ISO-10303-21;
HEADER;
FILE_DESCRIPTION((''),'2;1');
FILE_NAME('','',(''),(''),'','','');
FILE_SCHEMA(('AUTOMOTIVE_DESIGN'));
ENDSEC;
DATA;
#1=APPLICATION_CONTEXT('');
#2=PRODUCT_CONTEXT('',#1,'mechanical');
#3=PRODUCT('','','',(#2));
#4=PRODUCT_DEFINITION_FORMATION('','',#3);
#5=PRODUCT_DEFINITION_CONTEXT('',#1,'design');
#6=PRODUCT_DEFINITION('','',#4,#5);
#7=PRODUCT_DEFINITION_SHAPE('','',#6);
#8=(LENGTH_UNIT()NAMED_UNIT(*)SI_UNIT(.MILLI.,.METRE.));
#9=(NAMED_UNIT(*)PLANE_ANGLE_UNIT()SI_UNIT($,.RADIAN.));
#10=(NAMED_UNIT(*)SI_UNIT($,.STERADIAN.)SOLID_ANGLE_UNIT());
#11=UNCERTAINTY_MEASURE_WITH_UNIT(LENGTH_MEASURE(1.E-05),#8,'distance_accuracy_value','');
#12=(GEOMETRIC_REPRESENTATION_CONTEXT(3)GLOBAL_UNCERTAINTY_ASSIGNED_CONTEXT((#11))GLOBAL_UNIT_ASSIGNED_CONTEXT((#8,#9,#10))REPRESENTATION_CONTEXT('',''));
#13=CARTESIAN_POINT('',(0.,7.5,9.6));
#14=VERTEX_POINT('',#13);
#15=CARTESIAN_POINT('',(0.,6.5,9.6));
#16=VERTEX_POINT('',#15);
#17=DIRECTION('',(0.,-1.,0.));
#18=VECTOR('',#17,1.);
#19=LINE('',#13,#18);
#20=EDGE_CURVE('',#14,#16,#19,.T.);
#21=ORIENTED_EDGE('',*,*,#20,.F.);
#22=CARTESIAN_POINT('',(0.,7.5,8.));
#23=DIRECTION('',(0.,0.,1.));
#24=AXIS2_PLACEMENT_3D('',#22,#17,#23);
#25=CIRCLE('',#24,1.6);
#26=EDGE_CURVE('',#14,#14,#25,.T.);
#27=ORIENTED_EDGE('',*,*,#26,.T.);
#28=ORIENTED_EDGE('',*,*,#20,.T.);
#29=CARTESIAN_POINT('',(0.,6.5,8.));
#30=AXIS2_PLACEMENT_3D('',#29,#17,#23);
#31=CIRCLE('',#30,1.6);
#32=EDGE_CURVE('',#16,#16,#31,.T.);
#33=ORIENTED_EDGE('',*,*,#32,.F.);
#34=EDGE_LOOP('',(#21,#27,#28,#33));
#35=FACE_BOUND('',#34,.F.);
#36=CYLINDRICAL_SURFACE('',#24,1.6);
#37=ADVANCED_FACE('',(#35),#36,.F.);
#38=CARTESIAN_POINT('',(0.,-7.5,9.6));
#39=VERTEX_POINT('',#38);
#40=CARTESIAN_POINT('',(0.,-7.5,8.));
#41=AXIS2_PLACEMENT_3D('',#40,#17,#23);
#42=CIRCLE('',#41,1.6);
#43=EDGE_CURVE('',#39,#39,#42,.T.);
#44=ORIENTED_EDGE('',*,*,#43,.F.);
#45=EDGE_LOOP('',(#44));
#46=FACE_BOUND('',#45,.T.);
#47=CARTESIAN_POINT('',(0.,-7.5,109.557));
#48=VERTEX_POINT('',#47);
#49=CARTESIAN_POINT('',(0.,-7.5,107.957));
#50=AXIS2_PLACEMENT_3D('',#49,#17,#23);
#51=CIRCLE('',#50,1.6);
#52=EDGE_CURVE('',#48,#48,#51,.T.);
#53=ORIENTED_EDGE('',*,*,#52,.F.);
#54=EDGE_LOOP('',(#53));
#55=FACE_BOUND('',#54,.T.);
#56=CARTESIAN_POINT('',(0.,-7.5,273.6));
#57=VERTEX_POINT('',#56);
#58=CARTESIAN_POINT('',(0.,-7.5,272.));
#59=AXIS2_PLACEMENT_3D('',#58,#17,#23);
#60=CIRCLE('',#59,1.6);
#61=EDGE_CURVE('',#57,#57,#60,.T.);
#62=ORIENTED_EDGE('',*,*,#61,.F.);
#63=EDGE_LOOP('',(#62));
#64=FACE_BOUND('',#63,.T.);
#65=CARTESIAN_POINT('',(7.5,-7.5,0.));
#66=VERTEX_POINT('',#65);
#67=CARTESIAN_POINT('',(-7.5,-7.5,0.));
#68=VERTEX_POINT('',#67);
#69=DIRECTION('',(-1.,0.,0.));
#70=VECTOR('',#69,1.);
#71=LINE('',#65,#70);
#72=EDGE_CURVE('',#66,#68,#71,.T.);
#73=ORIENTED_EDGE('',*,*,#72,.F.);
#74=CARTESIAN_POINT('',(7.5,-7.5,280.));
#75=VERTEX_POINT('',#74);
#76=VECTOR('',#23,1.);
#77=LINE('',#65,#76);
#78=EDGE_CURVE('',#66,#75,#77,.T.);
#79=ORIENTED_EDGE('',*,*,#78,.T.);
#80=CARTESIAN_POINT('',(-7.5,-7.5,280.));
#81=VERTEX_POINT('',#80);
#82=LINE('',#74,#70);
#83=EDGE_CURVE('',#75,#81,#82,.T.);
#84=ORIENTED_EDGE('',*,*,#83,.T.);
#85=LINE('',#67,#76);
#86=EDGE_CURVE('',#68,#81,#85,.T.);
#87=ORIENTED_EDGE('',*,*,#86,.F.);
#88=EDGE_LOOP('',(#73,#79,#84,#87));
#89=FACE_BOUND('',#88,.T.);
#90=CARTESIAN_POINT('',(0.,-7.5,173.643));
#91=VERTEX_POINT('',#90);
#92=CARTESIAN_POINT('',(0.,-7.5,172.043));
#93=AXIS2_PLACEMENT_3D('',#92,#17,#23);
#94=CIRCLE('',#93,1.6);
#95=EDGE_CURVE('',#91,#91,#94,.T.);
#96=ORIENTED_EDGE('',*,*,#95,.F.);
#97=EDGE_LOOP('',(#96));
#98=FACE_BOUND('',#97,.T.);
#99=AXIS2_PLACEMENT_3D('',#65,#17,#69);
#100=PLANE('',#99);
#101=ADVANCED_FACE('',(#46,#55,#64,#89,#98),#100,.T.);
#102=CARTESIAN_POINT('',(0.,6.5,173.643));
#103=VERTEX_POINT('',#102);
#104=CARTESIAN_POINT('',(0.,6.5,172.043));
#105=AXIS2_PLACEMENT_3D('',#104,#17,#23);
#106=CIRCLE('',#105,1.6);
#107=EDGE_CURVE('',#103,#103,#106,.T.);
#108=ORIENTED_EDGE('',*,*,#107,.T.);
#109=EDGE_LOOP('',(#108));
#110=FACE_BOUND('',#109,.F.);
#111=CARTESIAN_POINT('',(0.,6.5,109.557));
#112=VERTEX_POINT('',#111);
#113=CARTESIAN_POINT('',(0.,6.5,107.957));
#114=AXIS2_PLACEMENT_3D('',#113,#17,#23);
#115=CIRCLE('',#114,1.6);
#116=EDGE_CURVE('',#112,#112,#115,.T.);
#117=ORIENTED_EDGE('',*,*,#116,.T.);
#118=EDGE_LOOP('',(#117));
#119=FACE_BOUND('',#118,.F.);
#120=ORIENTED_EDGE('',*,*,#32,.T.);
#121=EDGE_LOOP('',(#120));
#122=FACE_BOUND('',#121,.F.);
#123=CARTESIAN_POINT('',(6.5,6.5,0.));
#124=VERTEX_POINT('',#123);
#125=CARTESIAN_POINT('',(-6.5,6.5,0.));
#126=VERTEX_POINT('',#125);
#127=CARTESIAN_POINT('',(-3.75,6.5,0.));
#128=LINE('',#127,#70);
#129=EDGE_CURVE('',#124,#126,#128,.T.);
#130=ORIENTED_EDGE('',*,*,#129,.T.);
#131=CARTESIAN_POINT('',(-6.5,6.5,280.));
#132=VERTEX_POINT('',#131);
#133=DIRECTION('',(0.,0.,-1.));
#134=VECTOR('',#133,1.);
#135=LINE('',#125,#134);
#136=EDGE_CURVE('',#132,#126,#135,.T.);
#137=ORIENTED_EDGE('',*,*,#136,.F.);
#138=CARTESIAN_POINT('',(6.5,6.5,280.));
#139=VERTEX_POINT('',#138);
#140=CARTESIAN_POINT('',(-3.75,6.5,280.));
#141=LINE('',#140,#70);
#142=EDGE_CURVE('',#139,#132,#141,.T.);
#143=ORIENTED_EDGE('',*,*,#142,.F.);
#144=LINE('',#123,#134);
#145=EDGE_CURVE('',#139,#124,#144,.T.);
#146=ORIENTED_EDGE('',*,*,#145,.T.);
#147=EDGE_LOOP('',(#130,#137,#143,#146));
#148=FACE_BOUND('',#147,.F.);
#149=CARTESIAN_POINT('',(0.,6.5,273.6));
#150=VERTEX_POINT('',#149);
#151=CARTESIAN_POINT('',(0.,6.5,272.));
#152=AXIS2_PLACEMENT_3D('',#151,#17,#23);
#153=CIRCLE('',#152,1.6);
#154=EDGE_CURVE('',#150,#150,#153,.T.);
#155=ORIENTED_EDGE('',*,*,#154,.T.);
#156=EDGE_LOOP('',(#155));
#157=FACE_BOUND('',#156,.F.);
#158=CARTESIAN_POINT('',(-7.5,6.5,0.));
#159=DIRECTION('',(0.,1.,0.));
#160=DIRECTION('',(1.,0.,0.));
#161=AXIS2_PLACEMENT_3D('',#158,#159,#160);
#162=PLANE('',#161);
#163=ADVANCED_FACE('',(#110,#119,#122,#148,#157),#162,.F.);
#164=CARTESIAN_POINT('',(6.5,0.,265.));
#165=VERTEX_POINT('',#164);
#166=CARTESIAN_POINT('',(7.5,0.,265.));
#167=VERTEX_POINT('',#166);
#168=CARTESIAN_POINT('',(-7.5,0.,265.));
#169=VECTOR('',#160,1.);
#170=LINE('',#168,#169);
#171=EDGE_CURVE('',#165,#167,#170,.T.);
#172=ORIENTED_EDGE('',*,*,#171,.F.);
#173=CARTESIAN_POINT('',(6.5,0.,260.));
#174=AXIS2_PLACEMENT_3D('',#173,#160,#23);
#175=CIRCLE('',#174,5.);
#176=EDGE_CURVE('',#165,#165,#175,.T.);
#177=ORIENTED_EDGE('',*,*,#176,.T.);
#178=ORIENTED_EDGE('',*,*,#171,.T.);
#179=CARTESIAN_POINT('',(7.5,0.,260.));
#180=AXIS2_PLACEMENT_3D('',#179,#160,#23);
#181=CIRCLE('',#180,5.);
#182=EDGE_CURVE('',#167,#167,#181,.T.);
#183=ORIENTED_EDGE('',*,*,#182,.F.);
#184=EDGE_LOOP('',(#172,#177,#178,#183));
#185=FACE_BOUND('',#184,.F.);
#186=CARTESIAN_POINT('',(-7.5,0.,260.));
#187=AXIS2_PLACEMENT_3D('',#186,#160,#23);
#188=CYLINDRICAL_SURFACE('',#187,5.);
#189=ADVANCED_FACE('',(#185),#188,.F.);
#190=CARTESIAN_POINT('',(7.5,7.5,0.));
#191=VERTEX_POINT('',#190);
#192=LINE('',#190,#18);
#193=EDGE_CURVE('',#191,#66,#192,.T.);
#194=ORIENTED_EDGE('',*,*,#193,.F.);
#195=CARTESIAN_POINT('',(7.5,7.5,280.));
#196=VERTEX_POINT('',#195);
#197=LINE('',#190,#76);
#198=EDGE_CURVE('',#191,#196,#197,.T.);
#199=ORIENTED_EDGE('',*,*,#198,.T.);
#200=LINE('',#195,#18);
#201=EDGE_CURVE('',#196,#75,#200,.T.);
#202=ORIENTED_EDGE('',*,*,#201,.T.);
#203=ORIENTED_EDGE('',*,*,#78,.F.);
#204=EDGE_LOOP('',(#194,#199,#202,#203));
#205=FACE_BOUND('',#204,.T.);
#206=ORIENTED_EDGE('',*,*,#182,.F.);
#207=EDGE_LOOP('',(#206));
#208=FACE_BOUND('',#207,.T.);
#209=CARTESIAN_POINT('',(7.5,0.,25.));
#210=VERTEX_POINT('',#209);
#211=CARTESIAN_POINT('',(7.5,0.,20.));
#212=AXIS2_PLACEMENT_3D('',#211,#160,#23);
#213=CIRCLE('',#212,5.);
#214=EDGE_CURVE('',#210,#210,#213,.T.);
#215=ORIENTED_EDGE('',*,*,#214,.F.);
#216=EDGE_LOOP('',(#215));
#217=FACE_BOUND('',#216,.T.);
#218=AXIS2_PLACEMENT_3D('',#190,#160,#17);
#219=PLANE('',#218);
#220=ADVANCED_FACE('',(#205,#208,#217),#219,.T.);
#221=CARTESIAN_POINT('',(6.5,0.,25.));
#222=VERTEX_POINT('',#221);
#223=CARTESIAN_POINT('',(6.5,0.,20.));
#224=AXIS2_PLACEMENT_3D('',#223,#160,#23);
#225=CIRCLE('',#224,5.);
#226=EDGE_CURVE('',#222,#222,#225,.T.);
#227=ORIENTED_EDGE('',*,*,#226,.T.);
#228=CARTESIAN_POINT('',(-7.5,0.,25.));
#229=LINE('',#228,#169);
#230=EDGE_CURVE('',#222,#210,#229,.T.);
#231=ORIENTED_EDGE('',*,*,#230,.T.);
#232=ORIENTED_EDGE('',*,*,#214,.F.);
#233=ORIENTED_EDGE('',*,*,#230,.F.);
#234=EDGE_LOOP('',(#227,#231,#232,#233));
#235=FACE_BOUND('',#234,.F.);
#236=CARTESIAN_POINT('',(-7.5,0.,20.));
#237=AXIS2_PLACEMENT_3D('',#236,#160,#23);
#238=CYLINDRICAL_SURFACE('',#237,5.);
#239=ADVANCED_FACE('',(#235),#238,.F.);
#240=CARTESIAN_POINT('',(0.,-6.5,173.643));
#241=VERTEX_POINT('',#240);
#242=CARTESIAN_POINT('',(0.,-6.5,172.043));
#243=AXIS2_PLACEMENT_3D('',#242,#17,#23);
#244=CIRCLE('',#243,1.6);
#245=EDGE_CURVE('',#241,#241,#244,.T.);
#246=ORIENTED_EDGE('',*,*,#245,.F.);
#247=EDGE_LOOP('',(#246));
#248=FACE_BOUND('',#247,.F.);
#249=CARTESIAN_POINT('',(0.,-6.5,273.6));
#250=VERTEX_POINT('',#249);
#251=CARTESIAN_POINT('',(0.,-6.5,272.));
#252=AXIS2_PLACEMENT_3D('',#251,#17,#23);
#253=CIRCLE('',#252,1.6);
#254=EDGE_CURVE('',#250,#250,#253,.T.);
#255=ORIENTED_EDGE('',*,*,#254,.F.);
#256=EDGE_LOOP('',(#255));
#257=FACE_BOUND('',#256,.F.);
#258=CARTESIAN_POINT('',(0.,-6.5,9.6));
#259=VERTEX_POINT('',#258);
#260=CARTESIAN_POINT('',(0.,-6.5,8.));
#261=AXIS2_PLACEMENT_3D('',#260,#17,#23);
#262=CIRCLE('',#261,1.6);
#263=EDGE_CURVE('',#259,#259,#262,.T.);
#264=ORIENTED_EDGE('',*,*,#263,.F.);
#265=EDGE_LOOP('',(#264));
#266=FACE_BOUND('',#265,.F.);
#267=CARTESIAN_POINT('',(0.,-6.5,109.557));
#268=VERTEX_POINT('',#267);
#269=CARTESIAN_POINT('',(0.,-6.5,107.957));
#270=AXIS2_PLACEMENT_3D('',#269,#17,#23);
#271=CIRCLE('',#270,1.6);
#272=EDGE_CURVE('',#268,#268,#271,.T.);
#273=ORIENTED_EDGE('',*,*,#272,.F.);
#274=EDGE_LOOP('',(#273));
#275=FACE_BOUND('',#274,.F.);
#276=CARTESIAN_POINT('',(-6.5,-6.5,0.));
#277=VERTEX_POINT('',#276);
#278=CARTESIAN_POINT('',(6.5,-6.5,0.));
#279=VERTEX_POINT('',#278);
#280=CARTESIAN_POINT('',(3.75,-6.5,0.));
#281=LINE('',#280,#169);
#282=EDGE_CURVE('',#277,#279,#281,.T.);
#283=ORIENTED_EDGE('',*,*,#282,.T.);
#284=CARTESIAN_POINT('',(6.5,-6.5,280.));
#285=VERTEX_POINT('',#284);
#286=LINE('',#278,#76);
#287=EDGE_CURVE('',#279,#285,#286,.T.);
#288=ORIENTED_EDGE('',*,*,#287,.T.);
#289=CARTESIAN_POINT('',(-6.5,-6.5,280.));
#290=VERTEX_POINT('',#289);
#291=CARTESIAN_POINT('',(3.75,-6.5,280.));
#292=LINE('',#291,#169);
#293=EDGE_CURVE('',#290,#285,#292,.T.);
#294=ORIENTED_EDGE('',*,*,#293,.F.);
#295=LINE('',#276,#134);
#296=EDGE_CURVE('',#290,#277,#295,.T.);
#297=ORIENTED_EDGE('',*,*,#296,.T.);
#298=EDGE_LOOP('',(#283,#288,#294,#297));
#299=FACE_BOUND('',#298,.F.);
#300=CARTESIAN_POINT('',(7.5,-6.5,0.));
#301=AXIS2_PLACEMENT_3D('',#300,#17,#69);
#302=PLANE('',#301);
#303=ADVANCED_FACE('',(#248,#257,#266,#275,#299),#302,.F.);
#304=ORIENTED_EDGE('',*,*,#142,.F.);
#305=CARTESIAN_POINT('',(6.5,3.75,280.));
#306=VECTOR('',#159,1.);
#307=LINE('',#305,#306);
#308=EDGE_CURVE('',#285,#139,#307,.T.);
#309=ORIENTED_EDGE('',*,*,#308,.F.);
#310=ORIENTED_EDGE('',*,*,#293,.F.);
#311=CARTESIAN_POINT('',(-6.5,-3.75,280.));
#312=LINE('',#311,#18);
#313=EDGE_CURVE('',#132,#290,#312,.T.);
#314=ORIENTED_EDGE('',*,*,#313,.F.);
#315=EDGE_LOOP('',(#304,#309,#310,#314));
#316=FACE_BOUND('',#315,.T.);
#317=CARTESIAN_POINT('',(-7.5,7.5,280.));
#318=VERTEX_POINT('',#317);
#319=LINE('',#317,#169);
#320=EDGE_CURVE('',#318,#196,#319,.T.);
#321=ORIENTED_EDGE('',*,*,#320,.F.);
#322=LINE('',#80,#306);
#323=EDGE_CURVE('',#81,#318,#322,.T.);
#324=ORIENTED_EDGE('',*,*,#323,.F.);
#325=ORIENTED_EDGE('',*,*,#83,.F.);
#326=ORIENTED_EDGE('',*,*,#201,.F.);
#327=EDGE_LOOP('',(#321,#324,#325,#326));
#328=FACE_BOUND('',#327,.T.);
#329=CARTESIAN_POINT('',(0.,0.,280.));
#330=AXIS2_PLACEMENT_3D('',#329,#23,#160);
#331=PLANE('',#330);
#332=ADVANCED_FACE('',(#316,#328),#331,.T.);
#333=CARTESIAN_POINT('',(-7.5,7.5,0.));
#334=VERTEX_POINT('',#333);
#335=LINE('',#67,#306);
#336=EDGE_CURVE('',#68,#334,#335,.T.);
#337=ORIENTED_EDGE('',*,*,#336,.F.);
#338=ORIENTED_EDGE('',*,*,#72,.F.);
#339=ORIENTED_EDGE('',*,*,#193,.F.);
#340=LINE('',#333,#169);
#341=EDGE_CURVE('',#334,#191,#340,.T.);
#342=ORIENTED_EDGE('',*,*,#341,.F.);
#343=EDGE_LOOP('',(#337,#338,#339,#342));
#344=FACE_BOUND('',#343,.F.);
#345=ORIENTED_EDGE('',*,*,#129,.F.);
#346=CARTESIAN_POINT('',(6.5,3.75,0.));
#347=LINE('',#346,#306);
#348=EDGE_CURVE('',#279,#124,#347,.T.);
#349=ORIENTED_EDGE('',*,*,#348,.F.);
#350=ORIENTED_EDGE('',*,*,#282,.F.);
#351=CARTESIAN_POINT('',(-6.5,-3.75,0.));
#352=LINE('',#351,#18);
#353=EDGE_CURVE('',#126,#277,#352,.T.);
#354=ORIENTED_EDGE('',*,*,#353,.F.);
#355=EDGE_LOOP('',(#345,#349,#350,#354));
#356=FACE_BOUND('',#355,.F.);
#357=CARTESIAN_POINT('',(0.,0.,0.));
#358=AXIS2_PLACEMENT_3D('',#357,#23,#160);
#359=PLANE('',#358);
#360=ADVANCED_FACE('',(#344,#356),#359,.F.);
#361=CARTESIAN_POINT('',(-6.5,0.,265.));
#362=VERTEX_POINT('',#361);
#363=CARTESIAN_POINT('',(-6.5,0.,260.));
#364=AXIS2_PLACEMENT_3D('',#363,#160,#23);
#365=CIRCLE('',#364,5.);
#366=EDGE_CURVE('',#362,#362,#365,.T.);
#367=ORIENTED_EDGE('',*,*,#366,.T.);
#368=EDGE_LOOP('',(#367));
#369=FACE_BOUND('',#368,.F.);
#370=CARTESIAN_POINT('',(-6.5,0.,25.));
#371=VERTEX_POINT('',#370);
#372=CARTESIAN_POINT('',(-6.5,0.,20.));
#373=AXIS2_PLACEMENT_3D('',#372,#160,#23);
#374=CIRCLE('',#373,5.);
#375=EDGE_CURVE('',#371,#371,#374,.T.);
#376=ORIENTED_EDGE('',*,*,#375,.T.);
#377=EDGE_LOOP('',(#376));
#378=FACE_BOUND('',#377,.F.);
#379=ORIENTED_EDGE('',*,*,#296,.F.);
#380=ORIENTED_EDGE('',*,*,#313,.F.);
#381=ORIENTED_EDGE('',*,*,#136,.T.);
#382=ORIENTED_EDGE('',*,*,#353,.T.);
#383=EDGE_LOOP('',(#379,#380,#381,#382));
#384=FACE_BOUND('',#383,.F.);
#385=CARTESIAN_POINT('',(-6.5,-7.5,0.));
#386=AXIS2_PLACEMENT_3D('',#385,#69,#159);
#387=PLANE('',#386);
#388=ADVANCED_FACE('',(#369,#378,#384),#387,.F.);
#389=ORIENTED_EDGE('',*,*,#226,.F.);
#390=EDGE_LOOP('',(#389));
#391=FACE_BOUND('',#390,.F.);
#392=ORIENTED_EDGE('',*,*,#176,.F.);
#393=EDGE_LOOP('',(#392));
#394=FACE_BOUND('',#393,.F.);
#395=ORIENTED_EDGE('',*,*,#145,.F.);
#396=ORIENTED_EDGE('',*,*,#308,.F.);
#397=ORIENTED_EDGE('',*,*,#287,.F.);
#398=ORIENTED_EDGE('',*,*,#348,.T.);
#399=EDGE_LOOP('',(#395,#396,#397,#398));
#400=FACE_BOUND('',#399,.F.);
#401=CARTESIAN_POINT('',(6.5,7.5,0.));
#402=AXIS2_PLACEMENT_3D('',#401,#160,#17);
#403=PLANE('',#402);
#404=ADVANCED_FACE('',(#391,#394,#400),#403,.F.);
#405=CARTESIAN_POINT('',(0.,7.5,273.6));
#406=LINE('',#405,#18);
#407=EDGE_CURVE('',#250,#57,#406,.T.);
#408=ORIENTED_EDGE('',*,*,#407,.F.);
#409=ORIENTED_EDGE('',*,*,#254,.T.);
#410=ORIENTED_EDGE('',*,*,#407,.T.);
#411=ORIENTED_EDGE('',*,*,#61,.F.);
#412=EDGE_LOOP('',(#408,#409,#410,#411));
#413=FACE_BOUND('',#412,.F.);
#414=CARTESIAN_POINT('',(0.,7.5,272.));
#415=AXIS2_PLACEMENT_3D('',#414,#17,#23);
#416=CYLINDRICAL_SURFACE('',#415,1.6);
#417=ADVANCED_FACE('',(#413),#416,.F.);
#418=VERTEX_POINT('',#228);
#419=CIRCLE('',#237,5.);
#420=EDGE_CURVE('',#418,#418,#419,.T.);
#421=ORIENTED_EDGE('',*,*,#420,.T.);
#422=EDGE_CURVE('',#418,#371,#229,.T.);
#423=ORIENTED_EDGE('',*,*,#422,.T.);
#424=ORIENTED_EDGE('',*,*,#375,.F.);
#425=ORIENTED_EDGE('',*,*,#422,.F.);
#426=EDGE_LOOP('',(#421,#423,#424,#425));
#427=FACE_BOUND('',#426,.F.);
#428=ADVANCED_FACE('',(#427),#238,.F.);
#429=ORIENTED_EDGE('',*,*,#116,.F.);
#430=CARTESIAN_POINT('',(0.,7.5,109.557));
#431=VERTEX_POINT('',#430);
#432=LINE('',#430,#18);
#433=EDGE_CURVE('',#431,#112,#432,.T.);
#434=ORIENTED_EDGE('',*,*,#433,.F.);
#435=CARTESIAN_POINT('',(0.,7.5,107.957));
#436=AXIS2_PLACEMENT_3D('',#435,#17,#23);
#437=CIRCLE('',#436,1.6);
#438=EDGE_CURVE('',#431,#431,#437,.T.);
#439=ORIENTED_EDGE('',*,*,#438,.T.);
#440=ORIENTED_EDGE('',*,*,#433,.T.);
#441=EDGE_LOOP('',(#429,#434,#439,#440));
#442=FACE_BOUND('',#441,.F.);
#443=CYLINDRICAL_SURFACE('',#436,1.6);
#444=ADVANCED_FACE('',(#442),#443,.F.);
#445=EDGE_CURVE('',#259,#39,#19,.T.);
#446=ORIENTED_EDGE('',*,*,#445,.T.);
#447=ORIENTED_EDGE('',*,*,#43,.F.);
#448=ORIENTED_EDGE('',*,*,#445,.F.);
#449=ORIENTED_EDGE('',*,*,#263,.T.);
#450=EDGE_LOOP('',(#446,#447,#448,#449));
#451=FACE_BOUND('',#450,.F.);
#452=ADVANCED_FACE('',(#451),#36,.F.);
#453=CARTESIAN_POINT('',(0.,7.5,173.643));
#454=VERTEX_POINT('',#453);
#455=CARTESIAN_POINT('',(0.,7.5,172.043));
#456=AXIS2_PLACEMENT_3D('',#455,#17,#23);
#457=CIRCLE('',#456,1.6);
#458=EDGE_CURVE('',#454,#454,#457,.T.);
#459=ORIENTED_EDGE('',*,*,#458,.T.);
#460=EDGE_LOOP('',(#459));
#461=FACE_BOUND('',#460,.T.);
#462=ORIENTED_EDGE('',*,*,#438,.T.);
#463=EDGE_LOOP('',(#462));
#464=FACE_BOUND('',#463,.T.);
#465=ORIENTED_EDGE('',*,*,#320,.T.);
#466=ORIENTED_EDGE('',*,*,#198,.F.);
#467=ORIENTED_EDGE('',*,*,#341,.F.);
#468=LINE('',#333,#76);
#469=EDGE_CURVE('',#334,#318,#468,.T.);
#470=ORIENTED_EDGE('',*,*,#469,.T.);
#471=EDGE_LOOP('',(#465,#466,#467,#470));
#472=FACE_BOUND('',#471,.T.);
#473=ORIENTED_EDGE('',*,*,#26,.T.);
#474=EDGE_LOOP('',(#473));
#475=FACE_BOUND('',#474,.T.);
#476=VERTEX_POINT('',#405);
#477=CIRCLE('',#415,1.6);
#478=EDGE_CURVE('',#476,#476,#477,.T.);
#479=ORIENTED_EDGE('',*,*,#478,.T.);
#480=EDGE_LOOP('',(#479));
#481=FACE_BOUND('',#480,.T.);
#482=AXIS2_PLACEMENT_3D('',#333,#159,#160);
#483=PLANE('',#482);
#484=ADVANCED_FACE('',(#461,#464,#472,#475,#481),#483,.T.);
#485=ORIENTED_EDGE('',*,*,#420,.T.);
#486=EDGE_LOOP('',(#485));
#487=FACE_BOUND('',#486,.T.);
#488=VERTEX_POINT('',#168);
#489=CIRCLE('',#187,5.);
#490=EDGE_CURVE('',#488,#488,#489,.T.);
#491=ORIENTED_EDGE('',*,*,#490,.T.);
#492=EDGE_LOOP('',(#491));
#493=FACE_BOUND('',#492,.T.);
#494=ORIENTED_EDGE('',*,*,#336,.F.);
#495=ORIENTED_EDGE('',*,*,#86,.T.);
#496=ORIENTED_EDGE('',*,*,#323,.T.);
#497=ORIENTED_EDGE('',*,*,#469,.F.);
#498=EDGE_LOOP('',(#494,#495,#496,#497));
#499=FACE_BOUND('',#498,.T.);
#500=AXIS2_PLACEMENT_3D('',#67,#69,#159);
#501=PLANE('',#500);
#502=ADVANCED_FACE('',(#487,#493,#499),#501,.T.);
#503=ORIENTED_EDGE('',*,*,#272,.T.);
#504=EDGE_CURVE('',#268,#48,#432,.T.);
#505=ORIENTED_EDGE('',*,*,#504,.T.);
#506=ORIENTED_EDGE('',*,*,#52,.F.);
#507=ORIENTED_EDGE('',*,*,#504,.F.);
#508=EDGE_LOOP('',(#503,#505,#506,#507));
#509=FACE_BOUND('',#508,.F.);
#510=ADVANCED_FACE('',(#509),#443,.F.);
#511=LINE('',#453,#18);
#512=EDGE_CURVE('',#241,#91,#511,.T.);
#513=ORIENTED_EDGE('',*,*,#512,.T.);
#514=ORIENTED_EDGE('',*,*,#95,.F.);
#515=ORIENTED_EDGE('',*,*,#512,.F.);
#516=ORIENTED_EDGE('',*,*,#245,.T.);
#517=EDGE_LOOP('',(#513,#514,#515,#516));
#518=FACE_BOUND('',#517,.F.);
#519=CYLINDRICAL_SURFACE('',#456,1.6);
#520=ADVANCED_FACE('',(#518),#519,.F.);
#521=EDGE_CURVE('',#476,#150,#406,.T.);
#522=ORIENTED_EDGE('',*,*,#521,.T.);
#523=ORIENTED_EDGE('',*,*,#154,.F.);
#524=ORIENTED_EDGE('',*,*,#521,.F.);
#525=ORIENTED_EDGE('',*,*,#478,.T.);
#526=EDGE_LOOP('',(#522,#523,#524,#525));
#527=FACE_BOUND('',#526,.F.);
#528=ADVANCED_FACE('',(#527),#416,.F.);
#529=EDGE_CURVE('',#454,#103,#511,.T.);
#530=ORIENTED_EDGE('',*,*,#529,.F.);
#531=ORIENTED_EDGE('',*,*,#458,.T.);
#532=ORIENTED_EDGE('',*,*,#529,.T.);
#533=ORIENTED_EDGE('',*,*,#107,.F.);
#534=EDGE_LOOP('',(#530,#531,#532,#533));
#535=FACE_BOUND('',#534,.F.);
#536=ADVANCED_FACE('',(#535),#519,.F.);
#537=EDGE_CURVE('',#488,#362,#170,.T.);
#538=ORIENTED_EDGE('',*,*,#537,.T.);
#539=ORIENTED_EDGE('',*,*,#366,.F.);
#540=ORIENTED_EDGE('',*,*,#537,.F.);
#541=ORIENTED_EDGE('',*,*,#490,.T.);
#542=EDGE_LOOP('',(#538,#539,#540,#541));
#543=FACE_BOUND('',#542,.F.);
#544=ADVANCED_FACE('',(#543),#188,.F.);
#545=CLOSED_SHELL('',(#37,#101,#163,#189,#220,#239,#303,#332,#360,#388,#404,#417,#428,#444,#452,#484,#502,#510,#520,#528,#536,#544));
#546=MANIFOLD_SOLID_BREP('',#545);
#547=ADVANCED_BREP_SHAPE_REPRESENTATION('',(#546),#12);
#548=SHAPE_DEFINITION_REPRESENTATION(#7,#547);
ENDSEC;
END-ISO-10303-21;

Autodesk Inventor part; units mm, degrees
ref_plane "YZ Plane" through (0, 0, 0) normal (1, 0, 0) x (0, 1, 0)
ref_plane "XZ Plane" through (0, 0, 0) normal (0, 1, 0) x (-1, 0, 0)
ref_plane "XY Plane" through (0, 0, 0) normal (0, 0, 1) x (1, 0, 0)
sketch "スケッチ1" plane through (0, 0, 0) normal (0, 0, 1) x (1, 0, 0)
  line L0 (7.5, -7.5) -> (-7.5, -7.5)
  line L1 (-7.5, -7.5) -> (-7.5, 7.5)
  line L2 (-7.5, 7.5) -> (7.5, 7.5)
  line L3 (7.5, 7.5) -> (7.5, -7.5)
  line L4 (7.5, -7.5) -> (-7.5, 7.5) construction
  line L5 (-7.5, -7.5) -> (7.5, 7.5) construction
  point P0 (0, 0)
  dimension "d0" = 15
  dimension "d1" = 15
extrude "押し出し1" add sketch "スケッチ1" along normal blind 280
shell "シェル1" thickness 1 removed faces 2 at (2.5, -2.5, 0) at (2.5, -2.5, 280)
sketch "スケッチ2" plane through (-7.5, 7.5, 0) normal (0, 1, 0) x (1, 0, 0)
  line L0 (7.5, -172.043) -> (7.5, -107.957) construction
  line L1 (15, -280) -> (0, -280) projected
  line L2 (0, 0) -> (0, -280) projected
  line L3 (0, -140) -> (7.5, -140) construction
  point P0 (7.5, 0)
  point P1 (7.5, -280)
  point P2 (7.5, -272)
  point P3 (7.5, -8)
  dimension "d5" = 64.086
  dimension "d29" = 264
hole "穴1" at (0, 7.5, 172.043) at (0, 7.5, 107.957) at (0, 7.5, 272) at (0, 7.5, 8) direction (0, -1, 0) diameter 3.2 end through all
sketch "スケッチ3" plane through (-7.5, -7.5, 0) normal (-1, 0, 0) x (0, 0, 1)
  line L0 (20, 7.5) -> (260, 7.5)
  line L1 (0, 15) -> (280, 15) projected
  line L2 (280, 15) -> (280, 0) projected
  point P0 (0, 7.5)
  point P1 (140, 7.5)
  point P2 (140, 15)
  point P3 (280, 7.5)
  dimension "d13" = 240
hole "穴2" at (-7.5, 0, 260) at (-7.5, 0, 20) direction (1, 0, 0) diameter 10 end through all
properties part number "BaseSlideSTOPPERsq2"
